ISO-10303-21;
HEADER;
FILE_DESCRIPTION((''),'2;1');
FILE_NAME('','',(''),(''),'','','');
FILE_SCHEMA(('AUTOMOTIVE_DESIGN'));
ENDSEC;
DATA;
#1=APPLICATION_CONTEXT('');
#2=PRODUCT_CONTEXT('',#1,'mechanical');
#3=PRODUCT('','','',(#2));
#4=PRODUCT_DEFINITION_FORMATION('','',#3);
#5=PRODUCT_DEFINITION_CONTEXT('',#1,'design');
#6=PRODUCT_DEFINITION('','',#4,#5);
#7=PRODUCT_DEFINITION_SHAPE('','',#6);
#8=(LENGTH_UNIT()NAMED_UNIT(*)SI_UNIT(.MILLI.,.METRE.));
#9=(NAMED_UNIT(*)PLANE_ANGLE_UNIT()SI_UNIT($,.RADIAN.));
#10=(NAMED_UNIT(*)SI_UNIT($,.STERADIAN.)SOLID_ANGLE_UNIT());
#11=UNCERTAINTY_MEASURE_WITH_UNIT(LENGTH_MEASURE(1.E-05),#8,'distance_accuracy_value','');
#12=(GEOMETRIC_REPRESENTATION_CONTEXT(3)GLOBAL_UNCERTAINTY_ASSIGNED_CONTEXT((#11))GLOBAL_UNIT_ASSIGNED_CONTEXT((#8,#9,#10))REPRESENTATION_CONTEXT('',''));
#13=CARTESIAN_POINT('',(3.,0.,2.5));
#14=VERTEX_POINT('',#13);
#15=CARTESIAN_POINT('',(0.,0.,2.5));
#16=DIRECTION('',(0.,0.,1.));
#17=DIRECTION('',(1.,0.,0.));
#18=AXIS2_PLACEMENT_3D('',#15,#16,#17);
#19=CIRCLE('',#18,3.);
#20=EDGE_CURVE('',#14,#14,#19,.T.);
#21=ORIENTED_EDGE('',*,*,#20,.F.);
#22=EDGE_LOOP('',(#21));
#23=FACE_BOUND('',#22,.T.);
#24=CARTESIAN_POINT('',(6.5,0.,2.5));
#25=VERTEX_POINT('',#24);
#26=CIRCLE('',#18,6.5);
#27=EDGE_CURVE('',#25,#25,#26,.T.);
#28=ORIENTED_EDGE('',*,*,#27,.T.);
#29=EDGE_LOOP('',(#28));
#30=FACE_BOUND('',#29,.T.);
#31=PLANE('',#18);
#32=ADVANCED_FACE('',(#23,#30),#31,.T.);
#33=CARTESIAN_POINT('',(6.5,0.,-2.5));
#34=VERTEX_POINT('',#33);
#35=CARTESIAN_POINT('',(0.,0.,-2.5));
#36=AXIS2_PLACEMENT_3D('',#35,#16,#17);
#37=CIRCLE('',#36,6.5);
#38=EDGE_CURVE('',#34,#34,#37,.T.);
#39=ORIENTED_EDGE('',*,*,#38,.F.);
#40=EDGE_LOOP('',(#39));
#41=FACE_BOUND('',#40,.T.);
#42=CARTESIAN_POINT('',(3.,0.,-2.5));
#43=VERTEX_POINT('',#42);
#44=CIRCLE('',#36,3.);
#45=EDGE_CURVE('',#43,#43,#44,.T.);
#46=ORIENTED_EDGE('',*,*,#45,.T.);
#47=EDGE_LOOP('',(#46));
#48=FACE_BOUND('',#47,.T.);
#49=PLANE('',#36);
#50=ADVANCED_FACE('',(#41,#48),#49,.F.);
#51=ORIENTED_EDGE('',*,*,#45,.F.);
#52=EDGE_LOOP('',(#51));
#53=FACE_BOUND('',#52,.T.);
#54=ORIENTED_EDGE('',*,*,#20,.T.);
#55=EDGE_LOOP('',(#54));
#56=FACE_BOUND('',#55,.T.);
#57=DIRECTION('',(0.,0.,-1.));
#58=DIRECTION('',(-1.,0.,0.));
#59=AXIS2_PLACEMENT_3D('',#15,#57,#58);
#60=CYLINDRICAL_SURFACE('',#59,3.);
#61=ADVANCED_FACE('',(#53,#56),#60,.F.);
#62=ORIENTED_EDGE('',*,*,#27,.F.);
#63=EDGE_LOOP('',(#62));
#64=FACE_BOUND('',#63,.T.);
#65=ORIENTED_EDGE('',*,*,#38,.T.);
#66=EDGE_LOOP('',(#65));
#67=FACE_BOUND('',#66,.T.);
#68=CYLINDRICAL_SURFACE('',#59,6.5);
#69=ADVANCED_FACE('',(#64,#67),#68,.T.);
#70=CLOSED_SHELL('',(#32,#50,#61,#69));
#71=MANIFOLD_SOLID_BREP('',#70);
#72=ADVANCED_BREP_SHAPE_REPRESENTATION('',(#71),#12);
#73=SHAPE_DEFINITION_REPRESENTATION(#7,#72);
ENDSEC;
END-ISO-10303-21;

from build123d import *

# Parameters (mm, degrees)
SKETCH_1_R      = 6.5
SKETCH_1_R_2    = 3
EXTRUDE_1_DEPTH = 2.5


with BuildPart() as part:
    # 草图1 → 凸台-拉伸1 (new body, symmetric)
    with BuildSketch(Plane.XY):
        Circle(SKETCH_1_R)
        Circle(SKETCH_1_R_2, mode=Mode.SUBTRACT)
    extrude(amount=EXTRUDE_1_DEPTH, both=True)


solid = part.part
